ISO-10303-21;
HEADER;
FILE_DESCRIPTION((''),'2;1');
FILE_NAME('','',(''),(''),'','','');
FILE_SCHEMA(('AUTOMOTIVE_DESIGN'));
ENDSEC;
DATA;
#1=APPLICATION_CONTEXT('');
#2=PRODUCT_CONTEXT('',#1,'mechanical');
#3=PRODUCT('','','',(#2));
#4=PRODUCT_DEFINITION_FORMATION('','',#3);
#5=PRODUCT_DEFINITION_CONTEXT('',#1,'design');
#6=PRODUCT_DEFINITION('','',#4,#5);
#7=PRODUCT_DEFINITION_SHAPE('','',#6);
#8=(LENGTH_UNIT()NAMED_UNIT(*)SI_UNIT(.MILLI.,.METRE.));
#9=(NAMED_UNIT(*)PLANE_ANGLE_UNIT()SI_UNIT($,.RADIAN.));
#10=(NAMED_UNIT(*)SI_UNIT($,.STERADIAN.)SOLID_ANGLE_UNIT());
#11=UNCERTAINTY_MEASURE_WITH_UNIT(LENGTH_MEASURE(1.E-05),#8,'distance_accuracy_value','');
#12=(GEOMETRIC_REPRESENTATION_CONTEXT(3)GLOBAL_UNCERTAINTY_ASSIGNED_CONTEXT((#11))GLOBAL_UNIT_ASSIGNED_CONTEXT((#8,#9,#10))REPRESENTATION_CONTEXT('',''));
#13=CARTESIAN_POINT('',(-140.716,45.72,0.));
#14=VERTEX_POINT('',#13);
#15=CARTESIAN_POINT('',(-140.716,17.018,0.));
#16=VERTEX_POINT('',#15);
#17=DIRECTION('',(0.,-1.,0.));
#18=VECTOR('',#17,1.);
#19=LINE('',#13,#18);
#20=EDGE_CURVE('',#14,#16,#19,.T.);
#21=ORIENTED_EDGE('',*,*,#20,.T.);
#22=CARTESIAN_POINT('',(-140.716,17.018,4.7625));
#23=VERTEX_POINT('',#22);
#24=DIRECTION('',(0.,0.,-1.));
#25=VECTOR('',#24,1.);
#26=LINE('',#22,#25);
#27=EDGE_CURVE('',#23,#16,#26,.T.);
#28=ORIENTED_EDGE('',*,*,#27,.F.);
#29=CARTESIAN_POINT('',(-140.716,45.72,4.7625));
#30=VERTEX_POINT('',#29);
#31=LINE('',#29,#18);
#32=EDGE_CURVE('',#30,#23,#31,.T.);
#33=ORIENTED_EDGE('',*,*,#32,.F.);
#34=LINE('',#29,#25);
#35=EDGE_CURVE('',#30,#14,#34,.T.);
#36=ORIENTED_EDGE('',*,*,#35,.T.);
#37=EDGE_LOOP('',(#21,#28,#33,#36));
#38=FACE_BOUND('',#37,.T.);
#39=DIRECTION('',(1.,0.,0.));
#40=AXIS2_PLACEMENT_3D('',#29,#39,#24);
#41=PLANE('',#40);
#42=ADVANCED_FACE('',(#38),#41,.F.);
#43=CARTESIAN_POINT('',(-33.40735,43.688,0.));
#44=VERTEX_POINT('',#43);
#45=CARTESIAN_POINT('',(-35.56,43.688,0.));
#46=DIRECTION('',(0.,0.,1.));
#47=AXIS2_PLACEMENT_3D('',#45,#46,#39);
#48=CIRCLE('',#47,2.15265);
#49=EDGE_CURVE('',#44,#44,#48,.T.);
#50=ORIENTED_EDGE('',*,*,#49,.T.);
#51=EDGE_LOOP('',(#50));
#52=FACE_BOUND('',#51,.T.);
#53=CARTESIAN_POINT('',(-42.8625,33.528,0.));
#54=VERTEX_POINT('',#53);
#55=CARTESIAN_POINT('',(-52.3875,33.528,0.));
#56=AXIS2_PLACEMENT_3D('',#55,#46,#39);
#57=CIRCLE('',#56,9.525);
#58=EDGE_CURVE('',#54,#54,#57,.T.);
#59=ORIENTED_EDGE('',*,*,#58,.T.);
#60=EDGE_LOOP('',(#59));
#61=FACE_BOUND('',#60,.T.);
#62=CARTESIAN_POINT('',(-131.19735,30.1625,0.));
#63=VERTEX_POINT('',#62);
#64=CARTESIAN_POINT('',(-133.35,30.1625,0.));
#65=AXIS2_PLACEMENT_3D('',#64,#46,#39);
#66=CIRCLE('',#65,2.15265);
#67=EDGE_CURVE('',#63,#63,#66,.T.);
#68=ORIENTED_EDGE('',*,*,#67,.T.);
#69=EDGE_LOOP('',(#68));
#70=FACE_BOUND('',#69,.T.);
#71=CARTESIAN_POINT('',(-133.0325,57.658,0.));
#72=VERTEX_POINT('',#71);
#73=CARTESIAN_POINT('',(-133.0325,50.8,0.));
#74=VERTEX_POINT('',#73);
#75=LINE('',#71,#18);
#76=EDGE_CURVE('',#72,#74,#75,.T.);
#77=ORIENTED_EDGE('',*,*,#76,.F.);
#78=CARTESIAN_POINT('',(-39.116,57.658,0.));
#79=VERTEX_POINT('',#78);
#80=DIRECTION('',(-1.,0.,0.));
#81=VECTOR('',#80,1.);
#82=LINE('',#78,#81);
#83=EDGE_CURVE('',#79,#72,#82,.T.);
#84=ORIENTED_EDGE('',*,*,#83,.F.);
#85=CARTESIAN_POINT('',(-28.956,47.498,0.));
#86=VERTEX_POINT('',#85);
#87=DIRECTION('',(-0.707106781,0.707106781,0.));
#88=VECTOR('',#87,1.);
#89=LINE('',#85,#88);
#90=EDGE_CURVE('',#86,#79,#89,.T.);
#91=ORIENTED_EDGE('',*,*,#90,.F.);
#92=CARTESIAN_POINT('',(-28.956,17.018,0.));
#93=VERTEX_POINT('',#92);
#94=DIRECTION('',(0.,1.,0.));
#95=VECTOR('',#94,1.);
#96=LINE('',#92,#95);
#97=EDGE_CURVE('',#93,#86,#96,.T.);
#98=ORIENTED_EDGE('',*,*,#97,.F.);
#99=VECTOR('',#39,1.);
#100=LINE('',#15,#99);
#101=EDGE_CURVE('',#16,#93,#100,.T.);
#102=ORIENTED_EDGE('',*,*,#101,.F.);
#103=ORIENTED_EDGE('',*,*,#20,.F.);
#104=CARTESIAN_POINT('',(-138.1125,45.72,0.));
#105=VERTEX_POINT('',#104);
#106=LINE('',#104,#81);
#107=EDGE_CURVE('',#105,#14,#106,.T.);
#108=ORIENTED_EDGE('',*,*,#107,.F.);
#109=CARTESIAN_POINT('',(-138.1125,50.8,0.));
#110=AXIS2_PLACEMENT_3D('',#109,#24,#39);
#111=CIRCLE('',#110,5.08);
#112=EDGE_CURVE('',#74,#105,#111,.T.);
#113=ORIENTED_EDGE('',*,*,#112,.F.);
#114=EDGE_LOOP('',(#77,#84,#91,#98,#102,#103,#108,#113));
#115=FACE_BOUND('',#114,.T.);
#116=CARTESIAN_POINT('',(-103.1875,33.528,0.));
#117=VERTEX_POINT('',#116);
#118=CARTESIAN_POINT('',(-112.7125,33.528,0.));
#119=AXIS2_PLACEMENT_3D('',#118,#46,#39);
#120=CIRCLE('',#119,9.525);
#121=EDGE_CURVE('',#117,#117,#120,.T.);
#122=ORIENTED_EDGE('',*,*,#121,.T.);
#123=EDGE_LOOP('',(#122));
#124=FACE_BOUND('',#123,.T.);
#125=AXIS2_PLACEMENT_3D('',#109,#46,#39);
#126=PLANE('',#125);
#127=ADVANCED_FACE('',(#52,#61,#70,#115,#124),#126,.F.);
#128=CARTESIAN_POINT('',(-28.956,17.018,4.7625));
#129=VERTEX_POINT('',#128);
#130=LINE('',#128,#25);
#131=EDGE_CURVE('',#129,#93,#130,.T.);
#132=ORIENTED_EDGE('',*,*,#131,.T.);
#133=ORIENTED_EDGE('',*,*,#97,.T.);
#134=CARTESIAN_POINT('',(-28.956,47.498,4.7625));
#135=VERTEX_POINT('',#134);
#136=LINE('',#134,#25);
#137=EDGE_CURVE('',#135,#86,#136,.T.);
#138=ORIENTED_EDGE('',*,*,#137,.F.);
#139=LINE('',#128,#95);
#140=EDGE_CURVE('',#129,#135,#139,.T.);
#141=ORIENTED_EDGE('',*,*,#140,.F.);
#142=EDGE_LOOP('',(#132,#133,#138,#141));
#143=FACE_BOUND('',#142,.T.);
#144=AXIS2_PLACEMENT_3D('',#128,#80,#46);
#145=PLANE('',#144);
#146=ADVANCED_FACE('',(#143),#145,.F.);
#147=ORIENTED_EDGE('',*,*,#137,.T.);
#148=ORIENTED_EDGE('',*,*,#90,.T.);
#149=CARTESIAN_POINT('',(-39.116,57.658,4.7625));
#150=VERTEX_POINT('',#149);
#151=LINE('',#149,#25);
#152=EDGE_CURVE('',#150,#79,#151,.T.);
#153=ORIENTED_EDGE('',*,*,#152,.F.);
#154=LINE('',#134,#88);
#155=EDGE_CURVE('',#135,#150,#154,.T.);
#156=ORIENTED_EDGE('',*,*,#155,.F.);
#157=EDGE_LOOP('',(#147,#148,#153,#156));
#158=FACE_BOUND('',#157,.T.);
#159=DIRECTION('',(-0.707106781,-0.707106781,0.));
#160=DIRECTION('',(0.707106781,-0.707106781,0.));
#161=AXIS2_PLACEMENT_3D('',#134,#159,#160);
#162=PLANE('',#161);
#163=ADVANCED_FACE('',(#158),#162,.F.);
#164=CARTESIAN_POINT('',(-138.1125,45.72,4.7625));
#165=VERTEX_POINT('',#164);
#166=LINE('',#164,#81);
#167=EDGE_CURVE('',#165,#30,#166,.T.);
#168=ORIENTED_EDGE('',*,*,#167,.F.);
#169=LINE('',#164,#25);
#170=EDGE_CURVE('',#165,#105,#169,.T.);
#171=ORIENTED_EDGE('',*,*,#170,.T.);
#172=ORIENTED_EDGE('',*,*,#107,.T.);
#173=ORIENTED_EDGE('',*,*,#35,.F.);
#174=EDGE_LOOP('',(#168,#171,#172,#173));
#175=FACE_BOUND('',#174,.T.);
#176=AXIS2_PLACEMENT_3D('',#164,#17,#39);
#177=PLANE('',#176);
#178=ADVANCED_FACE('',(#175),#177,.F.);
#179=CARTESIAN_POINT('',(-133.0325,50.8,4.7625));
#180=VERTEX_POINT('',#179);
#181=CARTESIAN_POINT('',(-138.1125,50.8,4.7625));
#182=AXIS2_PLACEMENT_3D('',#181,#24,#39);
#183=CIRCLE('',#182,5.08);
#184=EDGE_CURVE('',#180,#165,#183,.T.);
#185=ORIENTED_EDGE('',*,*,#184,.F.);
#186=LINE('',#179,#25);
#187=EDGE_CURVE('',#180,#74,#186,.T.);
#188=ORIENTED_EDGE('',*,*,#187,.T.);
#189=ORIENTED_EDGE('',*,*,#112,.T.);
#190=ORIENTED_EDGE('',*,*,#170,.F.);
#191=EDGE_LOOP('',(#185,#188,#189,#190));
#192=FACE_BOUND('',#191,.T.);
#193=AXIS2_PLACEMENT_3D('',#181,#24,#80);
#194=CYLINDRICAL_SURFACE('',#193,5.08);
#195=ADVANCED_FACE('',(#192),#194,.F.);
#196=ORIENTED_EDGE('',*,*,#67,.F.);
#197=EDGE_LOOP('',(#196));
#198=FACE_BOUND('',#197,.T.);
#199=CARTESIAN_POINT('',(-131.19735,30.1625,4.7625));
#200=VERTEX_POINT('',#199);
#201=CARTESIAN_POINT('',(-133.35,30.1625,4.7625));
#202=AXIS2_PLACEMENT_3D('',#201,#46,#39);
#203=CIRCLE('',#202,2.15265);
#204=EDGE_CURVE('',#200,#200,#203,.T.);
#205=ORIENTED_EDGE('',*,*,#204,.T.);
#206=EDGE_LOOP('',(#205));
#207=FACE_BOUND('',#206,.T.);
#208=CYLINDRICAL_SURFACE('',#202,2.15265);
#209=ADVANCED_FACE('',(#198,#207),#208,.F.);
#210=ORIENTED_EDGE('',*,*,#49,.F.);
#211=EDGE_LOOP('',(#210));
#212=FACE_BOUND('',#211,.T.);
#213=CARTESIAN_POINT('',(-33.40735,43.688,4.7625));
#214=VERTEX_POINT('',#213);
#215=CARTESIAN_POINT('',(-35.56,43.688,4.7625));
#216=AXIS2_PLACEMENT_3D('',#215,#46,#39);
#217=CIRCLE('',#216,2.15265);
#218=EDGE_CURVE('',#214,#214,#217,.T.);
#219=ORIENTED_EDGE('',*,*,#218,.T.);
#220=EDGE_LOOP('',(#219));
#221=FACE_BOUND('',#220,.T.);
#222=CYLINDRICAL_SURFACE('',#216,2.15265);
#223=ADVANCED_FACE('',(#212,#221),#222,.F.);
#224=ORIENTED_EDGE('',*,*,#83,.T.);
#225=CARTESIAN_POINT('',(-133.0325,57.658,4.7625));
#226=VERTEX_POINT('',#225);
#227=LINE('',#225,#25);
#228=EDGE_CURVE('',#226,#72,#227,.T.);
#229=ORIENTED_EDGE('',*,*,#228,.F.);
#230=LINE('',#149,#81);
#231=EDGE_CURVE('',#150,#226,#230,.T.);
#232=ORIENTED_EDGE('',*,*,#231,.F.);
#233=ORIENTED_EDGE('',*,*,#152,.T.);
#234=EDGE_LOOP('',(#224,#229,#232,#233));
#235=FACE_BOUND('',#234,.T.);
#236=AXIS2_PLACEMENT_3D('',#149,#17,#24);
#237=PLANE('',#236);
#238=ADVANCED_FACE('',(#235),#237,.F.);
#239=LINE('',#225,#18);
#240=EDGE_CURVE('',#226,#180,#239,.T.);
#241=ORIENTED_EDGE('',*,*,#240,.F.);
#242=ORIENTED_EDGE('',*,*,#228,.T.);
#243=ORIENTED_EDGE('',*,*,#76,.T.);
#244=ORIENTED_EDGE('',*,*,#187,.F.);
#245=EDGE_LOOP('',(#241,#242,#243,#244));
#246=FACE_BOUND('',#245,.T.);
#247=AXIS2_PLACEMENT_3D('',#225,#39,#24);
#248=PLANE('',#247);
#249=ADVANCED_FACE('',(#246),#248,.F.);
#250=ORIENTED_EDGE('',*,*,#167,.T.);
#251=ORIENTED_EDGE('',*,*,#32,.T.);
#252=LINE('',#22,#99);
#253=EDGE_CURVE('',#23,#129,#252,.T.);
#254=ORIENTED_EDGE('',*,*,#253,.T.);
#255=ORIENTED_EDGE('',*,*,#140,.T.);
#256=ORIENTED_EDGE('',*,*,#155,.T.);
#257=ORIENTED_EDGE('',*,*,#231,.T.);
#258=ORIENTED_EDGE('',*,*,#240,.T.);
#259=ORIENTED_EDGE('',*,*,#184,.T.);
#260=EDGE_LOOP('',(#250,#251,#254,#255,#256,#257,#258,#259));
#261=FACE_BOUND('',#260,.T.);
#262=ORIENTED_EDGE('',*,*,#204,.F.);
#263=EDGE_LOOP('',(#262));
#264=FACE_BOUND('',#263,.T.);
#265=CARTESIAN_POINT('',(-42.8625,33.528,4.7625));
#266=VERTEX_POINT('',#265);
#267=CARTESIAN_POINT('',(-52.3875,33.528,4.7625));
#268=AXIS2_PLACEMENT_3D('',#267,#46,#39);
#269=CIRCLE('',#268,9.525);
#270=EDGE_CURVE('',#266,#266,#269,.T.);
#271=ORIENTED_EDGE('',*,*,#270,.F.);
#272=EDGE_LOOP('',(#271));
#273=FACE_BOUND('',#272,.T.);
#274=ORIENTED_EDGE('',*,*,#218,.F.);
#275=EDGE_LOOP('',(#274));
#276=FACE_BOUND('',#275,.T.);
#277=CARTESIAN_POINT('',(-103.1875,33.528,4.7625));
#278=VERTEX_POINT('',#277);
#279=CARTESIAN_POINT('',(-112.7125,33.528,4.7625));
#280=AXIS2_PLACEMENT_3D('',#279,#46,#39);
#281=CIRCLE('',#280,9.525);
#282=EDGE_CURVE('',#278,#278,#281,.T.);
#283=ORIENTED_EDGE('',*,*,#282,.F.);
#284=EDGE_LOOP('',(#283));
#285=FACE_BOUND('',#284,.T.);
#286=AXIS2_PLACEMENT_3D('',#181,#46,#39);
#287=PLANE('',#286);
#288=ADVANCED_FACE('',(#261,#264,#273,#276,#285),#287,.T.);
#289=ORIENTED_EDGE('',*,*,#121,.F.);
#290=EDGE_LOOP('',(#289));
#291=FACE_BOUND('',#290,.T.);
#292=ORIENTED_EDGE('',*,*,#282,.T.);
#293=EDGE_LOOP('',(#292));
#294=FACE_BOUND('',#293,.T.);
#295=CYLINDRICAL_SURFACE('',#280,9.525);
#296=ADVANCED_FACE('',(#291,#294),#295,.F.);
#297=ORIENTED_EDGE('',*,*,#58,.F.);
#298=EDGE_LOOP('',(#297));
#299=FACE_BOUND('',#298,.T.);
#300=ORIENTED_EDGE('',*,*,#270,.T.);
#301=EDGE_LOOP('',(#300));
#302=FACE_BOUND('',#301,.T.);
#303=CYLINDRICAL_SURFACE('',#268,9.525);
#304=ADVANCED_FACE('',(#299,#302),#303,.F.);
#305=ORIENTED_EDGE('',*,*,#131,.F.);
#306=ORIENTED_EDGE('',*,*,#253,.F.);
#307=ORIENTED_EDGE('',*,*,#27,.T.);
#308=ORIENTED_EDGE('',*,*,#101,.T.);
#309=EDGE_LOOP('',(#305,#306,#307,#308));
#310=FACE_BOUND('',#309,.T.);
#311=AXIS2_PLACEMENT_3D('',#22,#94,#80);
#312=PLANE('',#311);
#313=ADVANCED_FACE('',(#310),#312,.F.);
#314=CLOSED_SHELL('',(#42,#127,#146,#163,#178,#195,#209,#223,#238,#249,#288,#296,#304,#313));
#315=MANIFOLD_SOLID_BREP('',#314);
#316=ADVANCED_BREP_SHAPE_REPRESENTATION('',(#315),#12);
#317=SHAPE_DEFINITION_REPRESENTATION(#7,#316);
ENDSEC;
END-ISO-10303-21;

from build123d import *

# Parameters (mm, degrees)
BOSS_EXTRUDE1_DEPTH         = 4.7625
F_6_CLEARANCE_HOLE1_D       = 4.3053
F_3_4_0_75_DIAMETER_HOLE1_D = 19.05


with BuildPart() as part:
    # Sketch1 → Boss-Extrude1 (new body)
    with BuildSketch(Plane.XY):
        with BuildLine():
            Line((-133.0325, 57.658), (-133.0325, 50.8))
            ThreePointArc((-133.0325, 50.8), (-134.520397552, 47.207897552), (-138.1125, 45.72))
            Line((-138.1125, 45.72), (-140.716, 45.72))
            Line((-140.716, 45.72), (-140.716, 17.018))
            Line((-140.716, 17.018), (-28.956, 17.018))
            Line((-28.956, 17.018), (-28.956, 47.498))
            Line((-28.956, 47.498), (-39.116, 57.658))
            Line((-39.116, 57.658), (-133.0325, 57.658))
        make_face()
    extrude(amount=BOSS_EXTRUDE1_DEPTH)

    # #6 Clearance Hole1 (through all)
    with Locations(Plane.XY.offset(4.7625)):
        with Locations((-133.35, 30.1625), (-35.56, 43.688)):
            Hole(F_6_CLEARANCE_HOLE1_D / 2)

    # 3/4 (0.75) Diameter Hole1 (through all)
    with Locations(Plane.XY.offset(4.7625)):
        with Locations((-112.7125, 33.528), (-52.3875, 33.528)):
            Hole(F_3_4_0_75_DIAMETER_HOLE1_D / 2)


solid = part.part
